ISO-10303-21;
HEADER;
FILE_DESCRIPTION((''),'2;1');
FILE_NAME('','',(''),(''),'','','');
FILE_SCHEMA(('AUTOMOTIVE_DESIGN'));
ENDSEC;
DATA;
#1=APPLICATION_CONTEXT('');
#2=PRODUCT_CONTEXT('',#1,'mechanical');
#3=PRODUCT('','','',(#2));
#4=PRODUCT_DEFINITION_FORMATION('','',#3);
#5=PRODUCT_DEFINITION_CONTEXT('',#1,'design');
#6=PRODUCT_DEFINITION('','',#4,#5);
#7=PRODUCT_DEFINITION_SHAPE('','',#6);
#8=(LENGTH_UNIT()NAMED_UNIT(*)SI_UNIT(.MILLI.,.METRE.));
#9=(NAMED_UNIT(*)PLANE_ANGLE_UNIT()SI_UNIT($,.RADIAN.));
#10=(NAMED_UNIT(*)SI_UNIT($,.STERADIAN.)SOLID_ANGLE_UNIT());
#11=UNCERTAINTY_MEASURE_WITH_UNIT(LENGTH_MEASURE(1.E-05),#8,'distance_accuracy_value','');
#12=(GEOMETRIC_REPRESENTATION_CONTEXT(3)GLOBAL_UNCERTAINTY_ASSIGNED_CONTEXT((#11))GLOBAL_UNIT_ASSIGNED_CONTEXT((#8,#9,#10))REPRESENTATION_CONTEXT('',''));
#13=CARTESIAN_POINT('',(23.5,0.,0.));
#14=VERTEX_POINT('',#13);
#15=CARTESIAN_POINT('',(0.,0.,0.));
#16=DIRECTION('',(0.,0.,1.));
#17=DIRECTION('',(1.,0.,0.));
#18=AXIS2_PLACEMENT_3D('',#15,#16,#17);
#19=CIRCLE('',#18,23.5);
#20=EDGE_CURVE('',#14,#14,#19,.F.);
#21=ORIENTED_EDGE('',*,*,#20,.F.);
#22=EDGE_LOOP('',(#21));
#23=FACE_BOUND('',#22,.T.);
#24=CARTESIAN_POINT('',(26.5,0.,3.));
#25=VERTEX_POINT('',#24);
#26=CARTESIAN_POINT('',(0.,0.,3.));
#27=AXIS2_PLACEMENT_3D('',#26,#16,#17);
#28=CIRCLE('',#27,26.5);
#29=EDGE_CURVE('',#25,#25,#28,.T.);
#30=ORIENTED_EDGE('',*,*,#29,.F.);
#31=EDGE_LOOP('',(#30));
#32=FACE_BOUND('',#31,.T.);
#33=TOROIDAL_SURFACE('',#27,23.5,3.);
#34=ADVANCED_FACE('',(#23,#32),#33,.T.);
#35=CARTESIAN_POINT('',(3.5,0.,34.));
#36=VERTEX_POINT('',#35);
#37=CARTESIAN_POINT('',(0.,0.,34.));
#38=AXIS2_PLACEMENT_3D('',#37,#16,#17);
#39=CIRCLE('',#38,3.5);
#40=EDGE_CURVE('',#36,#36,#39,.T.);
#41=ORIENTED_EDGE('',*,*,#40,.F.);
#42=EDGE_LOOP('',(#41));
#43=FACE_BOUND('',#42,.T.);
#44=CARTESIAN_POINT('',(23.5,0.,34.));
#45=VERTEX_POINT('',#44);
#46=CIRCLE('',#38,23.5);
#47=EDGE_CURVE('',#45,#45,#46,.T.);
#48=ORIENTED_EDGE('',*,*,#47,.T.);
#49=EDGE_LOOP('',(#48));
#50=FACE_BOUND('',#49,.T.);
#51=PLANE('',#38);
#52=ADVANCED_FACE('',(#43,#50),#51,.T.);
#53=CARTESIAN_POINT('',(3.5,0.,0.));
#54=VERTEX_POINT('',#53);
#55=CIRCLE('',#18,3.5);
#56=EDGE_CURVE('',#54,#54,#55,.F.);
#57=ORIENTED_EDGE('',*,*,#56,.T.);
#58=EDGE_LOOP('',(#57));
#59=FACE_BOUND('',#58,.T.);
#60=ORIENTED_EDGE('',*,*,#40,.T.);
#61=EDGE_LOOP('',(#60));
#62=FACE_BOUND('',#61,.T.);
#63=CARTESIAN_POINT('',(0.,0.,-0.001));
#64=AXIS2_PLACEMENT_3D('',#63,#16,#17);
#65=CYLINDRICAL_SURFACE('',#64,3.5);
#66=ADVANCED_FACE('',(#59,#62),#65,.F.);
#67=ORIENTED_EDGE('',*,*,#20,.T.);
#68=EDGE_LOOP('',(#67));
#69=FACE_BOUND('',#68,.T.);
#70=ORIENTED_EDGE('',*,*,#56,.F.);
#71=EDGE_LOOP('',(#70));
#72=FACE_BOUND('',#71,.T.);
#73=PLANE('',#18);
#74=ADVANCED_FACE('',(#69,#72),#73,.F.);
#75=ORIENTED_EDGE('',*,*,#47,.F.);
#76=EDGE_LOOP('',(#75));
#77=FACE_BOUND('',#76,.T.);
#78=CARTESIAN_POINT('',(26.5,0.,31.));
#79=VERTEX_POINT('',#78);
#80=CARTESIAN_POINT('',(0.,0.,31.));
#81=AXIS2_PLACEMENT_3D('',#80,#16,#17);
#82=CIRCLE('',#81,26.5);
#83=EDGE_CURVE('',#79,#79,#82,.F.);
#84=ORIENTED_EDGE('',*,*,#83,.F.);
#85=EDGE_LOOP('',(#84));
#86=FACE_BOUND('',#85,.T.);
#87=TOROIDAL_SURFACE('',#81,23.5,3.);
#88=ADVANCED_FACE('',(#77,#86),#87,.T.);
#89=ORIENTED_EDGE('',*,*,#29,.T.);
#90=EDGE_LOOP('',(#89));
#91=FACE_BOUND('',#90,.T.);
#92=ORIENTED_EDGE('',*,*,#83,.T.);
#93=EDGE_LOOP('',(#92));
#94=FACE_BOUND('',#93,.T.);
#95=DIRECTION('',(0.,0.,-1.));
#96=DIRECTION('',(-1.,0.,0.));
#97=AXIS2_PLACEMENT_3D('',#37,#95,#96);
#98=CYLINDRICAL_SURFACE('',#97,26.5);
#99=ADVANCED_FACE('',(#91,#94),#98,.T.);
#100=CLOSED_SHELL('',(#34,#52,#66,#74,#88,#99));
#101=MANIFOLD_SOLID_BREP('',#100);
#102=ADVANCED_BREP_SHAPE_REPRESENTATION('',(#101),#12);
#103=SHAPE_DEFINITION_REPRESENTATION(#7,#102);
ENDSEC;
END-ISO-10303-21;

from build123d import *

# Parameters (mm, degrees)
SKETCH1_R           = 26.5
BOSS_EXTRUDE1_DEPTH = 34
FILLET1_R           = 3
CUT_EXTRUDE1_REACH  = 36
SKETCH2_R           = 3.5


with BuildPart() as part:
    # Sketch1 → Boss-Extrude1 (new body)
    with BuildSketch(Plane.XY):
        Circle(SKETCH1_R)
    extrude(amount=BOSS_EXTRUDE1_DEPTH)

    # Fillet1
    fillet1_edges = [part.edges().sort_by_distance(p)[0] for p in [
        (-26.5, 0, 0),
        (-26.5, 0, 34),
    ]]
    fillet(fillet1_edges, radius=FILLET1_R)

    # Sketch2 → Cut-Extrude1 (cut, up to next)
    with BuildSketch(Plane.XY.offset(34), mode=Mode.PRIVATE) as cut_extrude1_sk1:
        Circle(SKETCH2_R)
    cut_extrude1_tool1 = extrude(cut_extrude1_sk1.sketch, amount=-CUT_EXTRUDE1_REACH, mode=Mode.PRIVATE) & part.part
    add(cut_extrude1_tool1.solids().sort_by_distance((0, 0, 34))[0], mode=Mode.SUBTRACT)


solid = part.part
